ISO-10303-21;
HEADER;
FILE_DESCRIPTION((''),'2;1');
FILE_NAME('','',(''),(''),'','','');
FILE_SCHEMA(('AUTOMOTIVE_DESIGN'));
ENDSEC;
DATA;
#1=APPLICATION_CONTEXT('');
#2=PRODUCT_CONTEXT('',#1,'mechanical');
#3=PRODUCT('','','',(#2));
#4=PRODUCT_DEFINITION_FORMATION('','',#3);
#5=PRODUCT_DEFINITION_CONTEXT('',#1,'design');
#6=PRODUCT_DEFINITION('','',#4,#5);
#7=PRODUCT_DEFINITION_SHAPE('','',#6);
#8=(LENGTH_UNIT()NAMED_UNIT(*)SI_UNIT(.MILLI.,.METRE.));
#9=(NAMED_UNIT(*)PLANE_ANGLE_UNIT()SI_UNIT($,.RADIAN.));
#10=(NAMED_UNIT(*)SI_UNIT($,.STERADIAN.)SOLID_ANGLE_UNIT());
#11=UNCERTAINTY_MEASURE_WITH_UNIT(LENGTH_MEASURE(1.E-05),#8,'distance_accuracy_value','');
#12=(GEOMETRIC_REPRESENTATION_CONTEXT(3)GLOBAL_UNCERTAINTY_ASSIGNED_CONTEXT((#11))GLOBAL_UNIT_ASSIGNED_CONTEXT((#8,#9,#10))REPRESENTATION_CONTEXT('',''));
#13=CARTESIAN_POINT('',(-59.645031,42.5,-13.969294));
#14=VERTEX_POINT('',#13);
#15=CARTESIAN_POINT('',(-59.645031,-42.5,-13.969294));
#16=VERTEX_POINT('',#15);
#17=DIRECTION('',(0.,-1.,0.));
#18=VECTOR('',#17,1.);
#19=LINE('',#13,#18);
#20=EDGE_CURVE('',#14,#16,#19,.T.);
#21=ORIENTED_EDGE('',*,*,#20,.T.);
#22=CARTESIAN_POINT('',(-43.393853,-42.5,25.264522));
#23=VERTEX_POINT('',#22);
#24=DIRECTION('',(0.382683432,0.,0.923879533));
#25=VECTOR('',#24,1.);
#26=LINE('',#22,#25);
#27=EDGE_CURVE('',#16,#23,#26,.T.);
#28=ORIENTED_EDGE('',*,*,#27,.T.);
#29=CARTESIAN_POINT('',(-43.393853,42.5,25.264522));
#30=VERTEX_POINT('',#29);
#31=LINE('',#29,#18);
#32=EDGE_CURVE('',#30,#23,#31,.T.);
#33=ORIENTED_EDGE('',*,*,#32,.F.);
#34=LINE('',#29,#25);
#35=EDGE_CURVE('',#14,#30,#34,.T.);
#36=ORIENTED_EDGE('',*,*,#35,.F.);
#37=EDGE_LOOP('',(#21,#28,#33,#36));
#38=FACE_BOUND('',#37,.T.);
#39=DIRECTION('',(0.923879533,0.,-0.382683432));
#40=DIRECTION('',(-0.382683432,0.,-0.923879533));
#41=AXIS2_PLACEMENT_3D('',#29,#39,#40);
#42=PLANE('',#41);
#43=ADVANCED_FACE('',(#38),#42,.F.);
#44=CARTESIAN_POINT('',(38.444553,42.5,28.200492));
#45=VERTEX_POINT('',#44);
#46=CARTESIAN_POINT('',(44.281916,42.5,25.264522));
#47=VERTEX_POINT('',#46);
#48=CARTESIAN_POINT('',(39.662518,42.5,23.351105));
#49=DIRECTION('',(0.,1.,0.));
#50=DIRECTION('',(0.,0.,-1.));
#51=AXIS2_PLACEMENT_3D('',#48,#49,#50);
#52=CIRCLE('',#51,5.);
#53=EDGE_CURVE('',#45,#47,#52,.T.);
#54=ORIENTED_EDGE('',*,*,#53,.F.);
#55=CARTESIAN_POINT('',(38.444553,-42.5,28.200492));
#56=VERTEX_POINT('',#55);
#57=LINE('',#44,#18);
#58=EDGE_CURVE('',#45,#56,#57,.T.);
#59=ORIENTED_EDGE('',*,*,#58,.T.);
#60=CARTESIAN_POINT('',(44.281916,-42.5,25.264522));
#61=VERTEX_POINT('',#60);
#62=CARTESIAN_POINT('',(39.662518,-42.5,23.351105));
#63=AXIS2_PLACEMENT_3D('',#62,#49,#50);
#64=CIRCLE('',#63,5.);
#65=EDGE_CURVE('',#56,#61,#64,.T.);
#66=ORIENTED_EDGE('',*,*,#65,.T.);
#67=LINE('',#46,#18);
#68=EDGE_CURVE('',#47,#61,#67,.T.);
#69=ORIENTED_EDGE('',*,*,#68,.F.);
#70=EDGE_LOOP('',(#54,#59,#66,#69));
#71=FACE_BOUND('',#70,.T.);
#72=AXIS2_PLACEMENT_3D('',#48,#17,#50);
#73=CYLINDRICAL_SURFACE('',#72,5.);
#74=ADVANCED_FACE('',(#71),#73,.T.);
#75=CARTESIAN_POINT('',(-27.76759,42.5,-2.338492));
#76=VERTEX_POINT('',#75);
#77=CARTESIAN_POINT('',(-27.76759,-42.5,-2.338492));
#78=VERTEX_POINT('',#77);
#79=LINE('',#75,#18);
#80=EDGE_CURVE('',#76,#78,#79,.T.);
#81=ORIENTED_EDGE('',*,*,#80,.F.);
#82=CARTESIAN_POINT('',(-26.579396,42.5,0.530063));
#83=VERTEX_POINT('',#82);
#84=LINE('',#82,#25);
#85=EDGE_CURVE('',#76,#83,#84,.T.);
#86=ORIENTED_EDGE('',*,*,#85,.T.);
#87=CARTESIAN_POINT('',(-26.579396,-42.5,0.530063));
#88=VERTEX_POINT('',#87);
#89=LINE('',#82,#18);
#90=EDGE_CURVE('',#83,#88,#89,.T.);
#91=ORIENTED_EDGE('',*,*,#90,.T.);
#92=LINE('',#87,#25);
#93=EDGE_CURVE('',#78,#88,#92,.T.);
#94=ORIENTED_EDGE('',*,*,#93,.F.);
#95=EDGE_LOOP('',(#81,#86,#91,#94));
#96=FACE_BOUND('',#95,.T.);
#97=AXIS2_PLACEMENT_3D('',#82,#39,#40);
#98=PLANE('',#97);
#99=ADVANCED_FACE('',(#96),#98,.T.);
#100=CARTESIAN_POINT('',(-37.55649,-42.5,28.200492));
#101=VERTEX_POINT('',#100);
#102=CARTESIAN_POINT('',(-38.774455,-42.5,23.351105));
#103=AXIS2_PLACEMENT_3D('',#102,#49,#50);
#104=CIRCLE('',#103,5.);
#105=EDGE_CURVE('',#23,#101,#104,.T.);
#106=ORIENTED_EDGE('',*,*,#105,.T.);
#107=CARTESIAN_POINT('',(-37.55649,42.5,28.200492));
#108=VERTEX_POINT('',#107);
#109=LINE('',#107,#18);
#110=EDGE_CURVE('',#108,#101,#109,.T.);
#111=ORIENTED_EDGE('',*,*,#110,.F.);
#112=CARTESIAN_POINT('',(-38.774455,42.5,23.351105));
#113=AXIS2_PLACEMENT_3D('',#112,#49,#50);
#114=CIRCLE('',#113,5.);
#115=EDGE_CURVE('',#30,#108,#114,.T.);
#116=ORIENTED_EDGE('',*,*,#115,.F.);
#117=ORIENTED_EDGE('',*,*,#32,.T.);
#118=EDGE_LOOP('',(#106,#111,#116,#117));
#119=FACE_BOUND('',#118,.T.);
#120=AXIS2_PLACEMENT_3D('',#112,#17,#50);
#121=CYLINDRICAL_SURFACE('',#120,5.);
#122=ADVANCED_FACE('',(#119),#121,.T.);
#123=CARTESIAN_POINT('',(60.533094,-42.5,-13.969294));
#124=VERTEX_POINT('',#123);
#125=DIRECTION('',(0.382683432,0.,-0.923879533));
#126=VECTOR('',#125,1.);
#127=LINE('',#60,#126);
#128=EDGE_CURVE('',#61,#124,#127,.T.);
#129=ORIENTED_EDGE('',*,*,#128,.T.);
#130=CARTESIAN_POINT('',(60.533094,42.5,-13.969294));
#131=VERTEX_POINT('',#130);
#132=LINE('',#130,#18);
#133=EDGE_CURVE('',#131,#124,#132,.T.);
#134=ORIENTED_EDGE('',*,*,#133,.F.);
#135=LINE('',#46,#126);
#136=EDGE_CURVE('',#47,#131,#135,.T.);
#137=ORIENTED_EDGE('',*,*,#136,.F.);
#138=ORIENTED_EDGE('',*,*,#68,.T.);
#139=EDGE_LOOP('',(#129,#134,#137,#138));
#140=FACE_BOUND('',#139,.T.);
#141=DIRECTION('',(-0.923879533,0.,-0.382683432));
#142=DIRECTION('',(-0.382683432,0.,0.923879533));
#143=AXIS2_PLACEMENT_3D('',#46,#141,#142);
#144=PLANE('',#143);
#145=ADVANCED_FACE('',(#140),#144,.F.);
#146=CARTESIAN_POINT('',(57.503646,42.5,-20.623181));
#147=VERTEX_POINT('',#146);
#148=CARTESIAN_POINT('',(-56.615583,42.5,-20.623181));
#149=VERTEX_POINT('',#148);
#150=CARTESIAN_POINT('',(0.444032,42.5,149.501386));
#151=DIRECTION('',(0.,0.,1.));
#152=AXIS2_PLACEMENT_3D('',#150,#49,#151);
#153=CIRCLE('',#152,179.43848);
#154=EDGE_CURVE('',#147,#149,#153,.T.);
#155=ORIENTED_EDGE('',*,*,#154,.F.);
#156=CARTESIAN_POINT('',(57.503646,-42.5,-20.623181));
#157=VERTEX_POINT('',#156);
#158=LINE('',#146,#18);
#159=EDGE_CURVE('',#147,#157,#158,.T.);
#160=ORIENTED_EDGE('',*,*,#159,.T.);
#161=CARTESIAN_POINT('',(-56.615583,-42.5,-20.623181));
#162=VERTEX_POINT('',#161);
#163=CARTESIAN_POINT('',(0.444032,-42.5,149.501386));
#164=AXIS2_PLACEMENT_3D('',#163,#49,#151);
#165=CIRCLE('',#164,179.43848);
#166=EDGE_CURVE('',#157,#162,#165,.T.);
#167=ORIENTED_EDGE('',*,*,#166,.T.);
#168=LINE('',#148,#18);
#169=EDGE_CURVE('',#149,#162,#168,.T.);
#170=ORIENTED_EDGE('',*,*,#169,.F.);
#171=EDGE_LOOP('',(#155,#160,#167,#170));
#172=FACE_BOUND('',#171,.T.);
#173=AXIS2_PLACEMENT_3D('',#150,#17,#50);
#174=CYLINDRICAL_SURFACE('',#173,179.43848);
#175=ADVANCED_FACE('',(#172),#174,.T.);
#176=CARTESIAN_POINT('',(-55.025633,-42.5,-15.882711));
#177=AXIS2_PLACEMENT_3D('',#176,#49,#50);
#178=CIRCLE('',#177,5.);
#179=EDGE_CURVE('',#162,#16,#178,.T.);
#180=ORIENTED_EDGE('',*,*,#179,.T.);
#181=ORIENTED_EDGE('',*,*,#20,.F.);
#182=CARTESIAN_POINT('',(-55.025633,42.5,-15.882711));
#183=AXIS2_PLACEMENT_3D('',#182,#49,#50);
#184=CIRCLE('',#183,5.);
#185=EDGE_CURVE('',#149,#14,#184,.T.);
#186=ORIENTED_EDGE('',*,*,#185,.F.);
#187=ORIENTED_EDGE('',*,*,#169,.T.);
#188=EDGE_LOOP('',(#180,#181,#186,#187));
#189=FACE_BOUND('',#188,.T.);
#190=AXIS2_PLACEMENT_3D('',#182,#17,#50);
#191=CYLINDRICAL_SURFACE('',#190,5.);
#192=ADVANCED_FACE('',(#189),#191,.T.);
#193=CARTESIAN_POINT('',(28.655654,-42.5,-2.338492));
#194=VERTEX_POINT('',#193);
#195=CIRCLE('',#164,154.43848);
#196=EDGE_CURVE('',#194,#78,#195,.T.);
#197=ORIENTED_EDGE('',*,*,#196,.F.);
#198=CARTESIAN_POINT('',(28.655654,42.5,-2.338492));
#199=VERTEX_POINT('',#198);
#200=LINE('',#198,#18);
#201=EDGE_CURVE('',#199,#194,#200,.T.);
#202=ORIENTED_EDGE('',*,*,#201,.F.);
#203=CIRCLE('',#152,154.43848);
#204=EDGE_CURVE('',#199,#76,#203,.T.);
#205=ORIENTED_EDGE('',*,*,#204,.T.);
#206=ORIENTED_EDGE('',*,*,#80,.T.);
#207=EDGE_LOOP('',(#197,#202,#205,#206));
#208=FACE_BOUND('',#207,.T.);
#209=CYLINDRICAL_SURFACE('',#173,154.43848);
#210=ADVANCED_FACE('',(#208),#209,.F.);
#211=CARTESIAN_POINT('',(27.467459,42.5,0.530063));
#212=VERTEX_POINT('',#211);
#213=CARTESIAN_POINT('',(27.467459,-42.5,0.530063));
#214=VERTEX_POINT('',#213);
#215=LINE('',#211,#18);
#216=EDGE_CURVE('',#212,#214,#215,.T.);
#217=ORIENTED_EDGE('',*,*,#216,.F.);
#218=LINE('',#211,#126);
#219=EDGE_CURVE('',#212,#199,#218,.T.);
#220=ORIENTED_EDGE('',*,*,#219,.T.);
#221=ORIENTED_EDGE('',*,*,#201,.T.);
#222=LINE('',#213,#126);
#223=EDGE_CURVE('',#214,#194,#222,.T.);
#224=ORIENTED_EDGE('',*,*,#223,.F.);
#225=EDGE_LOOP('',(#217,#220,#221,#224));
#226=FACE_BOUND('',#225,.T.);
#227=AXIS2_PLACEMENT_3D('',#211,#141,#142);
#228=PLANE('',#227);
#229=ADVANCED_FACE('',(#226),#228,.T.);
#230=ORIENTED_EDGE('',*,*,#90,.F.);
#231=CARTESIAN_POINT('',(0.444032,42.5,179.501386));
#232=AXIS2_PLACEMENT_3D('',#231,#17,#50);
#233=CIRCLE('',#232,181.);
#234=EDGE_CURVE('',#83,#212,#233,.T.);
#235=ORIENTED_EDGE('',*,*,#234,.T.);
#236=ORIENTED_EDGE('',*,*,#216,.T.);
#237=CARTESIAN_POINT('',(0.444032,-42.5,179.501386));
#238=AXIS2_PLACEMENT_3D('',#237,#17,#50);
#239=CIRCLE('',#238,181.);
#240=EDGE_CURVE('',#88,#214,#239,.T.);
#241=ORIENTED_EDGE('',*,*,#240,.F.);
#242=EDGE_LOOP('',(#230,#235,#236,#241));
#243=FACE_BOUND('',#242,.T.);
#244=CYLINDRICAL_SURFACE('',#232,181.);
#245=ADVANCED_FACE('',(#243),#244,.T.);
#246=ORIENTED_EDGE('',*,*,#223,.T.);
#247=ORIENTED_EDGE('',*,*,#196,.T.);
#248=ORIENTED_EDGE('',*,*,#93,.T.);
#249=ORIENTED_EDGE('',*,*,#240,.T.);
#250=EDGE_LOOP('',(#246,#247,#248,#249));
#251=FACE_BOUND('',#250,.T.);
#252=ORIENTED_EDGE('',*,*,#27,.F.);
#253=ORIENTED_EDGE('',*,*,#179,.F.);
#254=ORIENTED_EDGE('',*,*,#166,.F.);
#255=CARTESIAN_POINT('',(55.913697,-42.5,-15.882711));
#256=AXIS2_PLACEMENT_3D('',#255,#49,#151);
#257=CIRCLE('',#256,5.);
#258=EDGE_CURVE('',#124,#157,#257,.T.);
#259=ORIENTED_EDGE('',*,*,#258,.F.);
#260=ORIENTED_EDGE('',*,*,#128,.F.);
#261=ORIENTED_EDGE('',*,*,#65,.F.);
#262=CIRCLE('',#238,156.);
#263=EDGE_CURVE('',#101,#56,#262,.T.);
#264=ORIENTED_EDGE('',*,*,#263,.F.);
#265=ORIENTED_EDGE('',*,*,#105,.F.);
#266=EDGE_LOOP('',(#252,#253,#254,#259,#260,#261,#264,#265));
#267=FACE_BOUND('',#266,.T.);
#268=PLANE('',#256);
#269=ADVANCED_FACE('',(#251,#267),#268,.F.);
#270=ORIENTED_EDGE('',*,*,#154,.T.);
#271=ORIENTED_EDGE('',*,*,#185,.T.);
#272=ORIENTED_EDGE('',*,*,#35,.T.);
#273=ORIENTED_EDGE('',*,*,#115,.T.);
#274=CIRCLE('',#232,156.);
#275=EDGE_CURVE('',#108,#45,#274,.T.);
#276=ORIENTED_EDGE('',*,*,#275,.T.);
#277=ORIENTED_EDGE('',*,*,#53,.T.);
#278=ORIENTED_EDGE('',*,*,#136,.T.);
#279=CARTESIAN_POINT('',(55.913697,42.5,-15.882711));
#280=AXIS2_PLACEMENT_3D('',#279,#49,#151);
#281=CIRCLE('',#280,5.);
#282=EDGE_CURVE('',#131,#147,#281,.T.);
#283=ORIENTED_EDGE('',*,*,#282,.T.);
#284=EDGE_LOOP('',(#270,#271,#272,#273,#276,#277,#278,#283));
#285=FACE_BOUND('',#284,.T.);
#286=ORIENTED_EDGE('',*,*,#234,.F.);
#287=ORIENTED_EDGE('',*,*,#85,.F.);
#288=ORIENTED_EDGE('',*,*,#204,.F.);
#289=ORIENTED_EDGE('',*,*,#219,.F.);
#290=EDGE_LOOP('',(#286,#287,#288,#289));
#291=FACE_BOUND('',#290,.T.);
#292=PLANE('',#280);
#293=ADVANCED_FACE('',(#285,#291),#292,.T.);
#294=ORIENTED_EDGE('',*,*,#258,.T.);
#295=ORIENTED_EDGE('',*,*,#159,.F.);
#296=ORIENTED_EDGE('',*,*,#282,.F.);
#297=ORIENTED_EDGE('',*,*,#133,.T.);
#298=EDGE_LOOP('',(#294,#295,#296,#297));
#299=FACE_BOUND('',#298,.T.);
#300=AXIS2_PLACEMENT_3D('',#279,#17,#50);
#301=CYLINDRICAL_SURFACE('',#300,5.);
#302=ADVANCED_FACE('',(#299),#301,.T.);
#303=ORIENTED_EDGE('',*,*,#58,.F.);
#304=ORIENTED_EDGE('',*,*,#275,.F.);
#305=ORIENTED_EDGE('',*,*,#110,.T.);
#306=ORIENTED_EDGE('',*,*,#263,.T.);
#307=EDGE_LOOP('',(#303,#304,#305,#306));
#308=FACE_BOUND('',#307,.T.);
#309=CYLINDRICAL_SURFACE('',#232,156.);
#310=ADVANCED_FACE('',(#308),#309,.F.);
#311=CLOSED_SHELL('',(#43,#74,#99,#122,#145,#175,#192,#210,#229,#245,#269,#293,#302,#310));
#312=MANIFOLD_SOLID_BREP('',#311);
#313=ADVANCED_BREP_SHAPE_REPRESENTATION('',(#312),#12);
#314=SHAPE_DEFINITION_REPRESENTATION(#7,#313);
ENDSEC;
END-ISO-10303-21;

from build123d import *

# Parameters (mm, degrees)
BOSS_EXTRUDE1_DEPTH = 42.5


with BuildPart() as part:
    # Sketch1 → Boss-Extrude1 (new, symmetric)
    with BuildSketch(Plane(origin=(0, 0, 0), x_dir=(1, 0, 0), z_dir=(0, 1, 0))):
        with BuildLine():
            Line((-43.393852632, -25.264521876), (-59.645031086, 13.969293553))
            ThreePointArc((-59.645031086, 13.969293553), (-59.576188638, 17.954532916), (-56.615582649, 20.623181309))
            ThreePointArc((-56.615582649, 20.623181309), (0.444031685, 29.937093688), (57.50364602, 20.623181309))
            ThreePointArc((57.50364602, 20.623181309), (60.464252009, 17.954532916), (60.533094457, 13.969293553))
            Line((60.533094457, 13.969293553), (44.281916002, -25.264521876))
            ThreePointArc((44.281916002, -25.264521876), (41.909163826, -27.81793626), (38.444552916, -28.200492328))
            ThreePointArc((38.444552916, -28.200492328), (0.444031685, -23.501385869), (-37.556489545, -28.200492328))
            ThreePointArc((-37.556489545, -28.200492328), (-41.021100455, -27.81793626), (-43.393852632, -25.264521876))
        make_face()
        with BuildLine():
            Line((-26.579395894, -0.530063133), (-27.767590131, 2.338491509))
            ThreePointArc((-27.767590131, 2.338491509), (0.444031685, 4.937093688), (28.655653502, 2.338491509))
            Line((28.655653502, 2.338491509), (27.467459265, -0.530063133))
            ThreePointArc((27.467459265, -0.530063133), (0.444031685, 1.498614131), (-26.579395894, -0.530063133))
        make_face(mode=Mode.SUBTRACT)
    extrude(amount=BOSS_EXTRUDE1_DEPTH, both=True)


solid = part.part
